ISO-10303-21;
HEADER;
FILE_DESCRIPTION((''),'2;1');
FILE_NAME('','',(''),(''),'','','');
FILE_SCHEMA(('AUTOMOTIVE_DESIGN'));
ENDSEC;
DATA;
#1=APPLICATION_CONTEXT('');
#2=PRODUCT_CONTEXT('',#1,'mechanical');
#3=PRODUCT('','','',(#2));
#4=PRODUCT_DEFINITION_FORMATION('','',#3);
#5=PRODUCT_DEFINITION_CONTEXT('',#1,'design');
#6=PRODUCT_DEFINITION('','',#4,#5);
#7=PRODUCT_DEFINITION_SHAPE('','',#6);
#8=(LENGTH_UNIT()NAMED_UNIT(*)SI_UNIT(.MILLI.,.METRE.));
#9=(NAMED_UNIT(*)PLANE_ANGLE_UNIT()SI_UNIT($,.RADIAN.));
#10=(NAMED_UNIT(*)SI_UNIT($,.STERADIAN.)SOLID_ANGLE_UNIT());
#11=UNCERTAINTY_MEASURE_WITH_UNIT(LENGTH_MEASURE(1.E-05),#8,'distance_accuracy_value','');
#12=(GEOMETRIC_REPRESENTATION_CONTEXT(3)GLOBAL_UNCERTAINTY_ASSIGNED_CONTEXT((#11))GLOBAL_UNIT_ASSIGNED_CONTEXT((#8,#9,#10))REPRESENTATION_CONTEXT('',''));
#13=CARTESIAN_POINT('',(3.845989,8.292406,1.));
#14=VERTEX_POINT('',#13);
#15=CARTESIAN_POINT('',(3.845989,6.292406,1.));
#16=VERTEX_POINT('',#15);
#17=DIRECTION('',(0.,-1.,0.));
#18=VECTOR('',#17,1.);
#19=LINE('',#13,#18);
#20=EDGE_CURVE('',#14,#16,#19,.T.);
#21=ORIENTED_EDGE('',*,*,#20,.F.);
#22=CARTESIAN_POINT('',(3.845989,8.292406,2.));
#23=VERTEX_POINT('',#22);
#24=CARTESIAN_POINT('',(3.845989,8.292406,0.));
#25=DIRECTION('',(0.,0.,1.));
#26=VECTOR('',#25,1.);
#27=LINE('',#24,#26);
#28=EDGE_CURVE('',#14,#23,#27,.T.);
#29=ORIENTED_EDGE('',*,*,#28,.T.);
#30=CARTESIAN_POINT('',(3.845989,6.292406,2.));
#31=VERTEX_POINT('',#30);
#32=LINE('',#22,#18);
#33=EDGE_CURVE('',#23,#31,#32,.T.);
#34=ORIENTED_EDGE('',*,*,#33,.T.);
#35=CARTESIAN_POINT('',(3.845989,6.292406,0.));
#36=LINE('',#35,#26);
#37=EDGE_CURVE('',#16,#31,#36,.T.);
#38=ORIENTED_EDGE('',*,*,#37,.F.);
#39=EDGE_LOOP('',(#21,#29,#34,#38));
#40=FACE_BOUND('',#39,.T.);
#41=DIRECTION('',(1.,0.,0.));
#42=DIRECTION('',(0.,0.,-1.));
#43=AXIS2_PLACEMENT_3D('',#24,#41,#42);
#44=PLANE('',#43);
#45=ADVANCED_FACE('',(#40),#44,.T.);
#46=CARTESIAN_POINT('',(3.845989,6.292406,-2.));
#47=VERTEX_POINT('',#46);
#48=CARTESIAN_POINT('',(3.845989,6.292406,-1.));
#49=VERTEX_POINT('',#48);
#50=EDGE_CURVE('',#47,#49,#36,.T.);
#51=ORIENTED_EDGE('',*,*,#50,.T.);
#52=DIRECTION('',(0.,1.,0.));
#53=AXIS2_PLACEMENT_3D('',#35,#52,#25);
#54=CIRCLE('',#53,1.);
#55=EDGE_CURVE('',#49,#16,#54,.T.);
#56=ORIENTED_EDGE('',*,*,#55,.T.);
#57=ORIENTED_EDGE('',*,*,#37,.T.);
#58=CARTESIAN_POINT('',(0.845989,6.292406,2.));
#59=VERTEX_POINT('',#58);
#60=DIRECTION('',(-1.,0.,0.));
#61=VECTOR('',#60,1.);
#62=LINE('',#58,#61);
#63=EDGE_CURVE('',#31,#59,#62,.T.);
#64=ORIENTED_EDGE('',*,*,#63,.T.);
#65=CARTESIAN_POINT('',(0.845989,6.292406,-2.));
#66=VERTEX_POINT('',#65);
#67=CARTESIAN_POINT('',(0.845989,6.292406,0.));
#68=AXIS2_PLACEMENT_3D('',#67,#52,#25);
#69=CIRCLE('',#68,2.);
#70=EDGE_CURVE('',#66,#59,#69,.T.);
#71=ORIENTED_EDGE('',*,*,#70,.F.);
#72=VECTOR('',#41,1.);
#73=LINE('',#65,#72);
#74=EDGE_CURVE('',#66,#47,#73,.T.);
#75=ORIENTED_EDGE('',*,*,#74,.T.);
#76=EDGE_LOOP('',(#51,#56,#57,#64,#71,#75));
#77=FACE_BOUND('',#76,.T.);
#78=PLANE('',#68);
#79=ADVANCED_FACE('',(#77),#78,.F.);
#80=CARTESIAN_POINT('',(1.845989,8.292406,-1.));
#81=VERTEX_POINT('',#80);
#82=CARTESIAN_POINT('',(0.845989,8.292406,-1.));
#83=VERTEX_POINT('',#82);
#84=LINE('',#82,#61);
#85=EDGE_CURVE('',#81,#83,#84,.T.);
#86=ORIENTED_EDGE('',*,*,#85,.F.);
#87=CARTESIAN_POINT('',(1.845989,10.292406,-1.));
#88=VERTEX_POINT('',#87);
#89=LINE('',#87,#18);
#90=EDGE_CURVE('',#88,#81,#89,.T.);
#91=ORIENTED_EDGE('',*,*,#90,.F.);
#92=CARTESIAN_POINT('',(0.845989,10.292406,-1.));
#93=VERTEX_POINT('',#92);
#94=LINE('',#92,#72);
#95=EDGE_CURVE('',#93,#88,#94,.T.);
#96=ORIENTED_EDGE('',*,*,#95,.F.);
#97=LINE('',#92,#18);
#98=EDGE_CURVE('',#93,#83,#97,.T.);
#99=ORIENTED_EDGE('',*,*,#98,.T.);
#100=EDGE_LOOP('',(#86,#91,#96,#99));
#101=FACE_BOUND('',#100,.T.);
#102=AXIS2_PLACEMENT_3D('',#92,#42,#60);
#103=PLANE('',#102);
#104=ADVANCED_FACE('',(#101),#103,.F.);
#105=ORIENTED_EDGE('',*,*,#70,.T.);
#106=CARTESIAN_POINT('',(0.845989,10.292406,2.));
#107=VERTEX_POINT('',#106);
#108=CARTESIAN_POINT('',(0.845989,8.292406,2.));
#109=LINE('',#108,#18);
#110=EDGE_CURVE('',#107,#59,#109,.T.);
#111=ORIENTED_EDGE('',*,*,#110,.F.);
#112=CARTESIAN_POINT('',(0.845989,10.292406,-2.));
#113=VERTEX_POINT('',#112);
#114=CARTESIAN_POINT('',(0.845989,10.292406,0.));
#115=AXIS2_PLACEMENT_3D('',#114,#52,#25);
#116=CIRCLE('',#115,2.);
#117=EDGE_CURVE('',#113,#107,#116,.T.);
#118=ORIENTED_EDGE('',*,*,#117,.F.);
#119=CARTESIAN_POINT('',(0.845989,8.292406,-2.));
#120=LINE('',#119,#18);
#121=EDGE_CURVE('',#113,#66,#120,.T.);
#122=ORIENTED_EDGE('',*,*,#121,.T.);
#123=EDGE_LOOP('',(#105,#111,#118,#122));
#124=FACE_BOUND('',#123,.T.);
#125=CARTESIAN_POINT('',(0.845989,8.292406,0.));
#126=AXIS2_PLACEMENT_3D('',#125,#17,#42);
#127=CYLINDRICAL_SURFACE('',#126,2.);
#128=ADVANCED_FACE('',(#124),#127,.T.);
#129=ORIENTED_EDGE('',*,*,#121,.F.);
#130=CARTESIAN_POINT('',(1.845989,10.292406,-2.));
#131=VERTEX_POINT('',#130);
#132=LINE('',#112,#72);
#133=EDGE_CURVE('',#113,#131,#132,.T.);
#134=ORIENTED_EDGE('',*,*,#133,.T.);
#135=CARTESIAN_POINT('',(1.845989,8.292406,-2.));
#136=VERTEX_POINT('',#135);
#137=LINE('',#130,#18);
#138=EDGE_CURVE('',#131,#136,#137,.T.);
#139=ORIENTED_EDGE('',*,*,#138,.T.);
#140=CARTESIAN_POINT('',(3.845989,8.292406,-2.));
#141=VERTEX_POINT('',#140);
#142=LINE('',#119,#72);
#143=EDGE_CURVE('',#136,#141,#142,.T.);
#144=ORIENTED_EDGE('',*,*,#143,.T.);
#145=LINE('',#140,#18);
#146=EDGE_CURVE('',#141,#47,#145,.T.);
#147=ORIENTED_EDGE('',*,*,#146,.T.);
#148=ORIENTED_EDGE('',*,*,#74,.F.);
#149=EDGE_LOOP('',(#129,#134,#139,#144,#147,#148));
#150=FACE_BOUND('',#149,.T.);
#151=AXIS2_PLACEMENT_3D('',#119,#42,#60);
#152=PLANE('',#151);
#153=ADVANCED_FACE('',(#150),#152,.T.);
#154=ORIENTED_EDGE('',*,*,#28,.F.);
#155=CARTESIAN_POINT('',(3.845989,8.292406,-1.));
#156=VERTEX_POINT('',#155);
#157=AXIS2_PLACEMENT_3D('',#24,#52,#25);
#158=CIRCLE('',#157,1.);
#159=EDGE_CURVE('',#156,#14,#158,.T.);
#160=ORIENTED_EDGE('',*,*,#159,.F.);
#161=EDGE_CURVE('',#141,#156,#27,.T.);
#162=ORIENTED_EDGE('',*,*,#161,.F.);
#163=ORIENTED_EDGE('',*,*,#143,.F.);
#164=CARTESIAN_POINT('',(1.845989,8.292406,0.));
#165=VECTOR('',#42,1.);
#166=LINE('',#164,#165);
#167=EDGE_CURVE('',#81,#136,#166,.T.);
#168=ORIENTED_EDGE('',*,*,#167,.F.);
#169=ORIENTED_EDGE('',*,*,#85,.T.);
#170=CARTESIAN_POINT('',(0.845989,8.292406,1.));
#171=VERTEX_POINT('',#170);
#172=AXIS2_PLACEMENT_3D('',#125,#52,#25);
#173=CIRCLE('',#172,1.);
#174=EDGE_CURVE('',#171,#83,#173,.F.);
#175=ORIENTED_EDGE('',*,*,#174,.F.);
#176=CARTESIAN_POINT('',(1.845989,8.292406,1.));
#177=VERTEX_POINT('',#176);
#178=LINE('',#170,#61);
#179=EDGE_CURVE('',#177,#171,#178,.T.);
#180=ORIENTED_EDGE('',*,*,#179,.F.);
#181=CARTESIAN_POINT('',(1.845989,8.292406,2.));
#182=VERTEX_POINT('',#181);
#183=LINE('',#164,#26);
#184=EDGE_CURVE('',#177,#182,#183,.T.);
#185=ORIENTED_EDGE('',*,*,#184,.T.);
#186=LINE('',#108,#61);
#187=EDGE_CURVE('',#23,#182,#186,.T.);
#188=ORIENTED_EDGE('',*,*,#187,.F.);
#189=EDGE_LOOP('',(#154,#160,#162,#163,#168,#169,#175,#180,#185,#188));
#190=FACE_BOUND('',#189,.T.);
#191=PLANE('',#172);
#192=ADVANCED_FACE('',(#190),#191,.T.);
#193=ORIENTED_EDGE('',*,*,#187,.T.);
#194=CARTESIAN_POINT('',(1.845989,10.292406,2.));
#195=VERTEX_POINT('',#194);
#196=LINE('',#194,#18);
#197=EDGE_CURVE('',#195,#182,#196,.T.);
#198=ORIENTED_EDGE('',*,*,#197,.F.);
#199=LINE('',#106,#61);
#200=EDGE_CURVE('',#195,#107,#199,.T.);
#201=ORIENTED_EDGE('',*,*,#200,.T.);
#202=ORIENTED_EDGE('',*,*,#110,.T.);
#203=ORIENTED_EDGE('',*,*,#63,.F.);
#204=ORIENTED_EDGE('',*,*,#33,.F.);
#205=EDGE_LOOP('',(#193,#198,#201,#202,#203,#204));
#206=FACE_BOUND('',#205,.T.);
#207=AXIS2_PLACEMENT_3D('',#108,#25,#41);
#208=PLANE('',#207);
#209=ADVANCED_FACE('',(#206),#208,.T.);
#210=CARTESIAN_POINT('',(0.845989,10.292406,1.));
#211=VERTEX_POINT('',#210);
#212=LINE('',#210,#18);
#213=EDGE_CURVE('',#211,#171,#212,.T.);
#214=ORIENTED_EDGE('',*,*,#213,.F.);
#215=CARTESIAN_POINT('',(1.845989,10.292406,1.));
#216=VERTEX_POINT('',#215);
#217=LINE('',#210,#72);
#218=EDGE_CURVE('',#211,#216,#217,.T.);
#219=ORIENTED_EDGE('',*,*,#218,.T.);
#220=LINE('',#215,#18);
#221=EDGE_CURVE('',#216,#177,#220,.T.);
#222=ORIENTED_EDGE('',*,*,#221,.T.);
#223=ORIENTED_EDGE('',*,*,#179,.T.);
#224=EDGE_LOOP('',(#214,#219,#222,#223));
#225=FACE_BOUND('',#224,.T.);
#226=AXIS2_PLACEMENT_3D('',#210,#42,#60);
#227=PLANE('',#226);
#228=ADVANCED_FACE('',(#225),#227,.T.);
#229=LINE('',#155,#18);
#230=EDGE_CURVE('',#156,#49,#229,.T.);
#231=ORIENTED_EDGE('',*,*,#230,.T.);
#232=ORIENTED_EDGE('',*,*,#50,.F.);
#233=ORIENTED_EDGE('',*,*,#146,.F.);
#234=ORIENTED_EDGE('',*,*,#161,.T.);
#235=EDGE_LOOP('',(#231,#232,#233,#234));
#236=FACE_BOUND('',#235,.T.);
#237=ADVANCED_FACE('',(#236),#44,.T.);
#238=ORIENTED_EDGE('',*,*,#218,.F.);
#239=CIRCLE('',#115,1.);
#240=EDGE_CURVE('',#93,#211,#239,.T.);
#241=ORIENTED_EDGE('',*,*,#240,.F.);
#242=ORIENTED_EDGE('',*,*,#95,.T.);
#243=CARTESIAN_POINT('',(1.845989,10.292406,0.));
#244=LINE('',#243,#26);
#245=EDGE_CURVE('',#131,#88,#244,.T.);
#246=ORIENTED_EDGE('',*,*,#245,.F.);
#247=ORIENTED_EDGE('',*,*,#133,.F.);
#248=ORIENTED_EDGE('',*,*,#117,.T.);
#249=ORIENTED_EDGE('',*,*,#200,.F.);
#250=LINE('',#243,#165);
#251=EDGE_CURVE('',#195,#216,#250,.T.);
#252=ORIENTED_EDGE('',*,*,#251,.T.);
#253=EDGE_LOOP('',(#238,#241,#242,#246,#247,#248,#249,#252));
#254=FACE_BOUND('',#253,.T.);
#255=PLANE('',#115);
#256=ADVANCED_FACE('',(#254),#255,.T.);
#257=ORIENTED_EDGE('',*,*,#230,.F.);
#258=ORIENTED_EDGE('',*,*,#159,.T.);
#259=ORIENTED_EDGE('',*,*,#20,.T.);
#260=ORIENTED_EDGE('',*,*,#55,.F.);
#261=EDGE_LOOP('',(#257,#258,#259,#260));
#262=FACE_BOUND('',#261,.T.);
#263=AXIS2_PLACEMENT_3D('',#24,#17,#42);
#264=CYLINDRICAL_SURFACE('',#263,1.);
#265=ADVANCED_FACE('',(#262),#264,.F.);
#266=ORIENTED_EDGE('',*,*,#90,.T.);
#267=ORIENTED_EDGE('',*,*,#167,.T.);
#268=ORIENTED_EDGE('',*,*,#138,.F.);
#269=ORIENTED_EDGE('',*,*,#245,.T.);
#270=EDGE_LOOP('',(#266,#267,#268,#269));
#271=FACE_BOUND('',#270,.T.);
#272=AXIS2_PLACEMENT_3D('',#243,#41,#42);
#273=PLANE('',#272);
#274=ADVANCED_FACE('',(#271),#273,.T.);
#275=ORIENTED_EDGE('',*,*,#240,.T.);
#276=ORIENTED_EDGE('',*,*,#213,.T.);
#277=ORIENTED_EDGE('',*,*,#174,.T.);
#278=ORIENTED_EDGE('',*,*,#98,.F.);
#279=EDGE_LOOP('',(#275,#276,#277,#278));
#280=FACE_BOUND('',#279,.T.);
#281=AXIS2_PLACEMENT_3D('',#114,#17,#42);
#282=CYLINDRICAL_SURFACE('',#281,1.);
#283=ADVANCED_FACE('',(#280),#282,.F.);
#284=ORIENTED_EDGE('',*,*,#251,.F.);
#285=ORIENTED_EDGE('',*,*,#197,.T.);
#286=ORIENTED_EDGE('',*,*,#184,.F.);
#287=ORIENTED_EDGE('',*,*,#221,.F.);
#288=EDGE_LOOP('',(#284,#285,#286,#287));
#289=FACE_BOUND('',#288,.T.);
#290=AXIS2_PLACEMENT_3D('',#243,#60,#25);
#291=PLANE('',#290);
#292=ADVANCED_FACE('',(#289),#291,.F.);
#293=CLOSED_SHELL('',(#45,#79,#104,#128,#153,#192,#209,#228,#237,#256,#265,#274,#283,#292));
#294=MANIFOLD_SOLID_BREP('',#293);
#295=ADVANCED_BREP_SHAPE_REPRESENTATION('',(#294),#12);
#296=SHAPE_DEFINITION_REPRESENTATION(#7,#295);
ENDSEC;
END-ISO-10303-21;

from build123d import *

# Parameters (mm, degrees)
EXTRUDE_1_DEPTH = 10
EXTRUDE_2_DEPTH = 20
SCALE_1_SCALE   = 0.2


with BuildPart() as part:
    # 草圖1 → 填料-伸長1 (new body)
    with BuildSketch(Plane(origin=(0, 0, 0), x_dir=(1, 0, 0), z_dir=(0, 1, 0))):
        with BuildLine():
            Line((15, 10), (0, 10))
            ThreePointArc((0, 10), (-10, 0), (0, -10))
            Line((0, -10), (15, -10))
            Line((15, -10), (15, -5))
            ThreePointArc((15, -5), (10, 0), (15, 5))
            Line((15, 5), (15, 10))
        make_face()
    extrude(amount=EXTRUDE_1_DEPTH)

    # 草圖1<3> → 填料-伸長2 (add)
    with BuildSketch(Plane(origin=(0, 0, 0), x_dir=(1, 0, 0), z_dir=(0, 1, 0))):
        with BuildLine():
            Line((5, 5), (5, 10))
            Line((5, 10), (0, 10))
            ThreePointArc((0, 10), (-10, 0), (0, -10))
            Line((0, -10), (5, -10))
            Line((5, -10), (5, -5))
            Line((5, -5), (0, -5))
            ThreePointArc((0, -5), (-5, 0), (0, 5))
            Line((0, 5), (5, 5))
        make_face()
    extrude(amount=EXTRUDE_2_DEPTH)


with BuildPart() as part_1:
    # 縮放比例1: scaled about (1.057486584, 7.865508049, 0)
    add(part.part.scale(SCALE_1_SCALE).moved(Location((0.845989267, 6.292406439, 0))))


solid = part_1.part
